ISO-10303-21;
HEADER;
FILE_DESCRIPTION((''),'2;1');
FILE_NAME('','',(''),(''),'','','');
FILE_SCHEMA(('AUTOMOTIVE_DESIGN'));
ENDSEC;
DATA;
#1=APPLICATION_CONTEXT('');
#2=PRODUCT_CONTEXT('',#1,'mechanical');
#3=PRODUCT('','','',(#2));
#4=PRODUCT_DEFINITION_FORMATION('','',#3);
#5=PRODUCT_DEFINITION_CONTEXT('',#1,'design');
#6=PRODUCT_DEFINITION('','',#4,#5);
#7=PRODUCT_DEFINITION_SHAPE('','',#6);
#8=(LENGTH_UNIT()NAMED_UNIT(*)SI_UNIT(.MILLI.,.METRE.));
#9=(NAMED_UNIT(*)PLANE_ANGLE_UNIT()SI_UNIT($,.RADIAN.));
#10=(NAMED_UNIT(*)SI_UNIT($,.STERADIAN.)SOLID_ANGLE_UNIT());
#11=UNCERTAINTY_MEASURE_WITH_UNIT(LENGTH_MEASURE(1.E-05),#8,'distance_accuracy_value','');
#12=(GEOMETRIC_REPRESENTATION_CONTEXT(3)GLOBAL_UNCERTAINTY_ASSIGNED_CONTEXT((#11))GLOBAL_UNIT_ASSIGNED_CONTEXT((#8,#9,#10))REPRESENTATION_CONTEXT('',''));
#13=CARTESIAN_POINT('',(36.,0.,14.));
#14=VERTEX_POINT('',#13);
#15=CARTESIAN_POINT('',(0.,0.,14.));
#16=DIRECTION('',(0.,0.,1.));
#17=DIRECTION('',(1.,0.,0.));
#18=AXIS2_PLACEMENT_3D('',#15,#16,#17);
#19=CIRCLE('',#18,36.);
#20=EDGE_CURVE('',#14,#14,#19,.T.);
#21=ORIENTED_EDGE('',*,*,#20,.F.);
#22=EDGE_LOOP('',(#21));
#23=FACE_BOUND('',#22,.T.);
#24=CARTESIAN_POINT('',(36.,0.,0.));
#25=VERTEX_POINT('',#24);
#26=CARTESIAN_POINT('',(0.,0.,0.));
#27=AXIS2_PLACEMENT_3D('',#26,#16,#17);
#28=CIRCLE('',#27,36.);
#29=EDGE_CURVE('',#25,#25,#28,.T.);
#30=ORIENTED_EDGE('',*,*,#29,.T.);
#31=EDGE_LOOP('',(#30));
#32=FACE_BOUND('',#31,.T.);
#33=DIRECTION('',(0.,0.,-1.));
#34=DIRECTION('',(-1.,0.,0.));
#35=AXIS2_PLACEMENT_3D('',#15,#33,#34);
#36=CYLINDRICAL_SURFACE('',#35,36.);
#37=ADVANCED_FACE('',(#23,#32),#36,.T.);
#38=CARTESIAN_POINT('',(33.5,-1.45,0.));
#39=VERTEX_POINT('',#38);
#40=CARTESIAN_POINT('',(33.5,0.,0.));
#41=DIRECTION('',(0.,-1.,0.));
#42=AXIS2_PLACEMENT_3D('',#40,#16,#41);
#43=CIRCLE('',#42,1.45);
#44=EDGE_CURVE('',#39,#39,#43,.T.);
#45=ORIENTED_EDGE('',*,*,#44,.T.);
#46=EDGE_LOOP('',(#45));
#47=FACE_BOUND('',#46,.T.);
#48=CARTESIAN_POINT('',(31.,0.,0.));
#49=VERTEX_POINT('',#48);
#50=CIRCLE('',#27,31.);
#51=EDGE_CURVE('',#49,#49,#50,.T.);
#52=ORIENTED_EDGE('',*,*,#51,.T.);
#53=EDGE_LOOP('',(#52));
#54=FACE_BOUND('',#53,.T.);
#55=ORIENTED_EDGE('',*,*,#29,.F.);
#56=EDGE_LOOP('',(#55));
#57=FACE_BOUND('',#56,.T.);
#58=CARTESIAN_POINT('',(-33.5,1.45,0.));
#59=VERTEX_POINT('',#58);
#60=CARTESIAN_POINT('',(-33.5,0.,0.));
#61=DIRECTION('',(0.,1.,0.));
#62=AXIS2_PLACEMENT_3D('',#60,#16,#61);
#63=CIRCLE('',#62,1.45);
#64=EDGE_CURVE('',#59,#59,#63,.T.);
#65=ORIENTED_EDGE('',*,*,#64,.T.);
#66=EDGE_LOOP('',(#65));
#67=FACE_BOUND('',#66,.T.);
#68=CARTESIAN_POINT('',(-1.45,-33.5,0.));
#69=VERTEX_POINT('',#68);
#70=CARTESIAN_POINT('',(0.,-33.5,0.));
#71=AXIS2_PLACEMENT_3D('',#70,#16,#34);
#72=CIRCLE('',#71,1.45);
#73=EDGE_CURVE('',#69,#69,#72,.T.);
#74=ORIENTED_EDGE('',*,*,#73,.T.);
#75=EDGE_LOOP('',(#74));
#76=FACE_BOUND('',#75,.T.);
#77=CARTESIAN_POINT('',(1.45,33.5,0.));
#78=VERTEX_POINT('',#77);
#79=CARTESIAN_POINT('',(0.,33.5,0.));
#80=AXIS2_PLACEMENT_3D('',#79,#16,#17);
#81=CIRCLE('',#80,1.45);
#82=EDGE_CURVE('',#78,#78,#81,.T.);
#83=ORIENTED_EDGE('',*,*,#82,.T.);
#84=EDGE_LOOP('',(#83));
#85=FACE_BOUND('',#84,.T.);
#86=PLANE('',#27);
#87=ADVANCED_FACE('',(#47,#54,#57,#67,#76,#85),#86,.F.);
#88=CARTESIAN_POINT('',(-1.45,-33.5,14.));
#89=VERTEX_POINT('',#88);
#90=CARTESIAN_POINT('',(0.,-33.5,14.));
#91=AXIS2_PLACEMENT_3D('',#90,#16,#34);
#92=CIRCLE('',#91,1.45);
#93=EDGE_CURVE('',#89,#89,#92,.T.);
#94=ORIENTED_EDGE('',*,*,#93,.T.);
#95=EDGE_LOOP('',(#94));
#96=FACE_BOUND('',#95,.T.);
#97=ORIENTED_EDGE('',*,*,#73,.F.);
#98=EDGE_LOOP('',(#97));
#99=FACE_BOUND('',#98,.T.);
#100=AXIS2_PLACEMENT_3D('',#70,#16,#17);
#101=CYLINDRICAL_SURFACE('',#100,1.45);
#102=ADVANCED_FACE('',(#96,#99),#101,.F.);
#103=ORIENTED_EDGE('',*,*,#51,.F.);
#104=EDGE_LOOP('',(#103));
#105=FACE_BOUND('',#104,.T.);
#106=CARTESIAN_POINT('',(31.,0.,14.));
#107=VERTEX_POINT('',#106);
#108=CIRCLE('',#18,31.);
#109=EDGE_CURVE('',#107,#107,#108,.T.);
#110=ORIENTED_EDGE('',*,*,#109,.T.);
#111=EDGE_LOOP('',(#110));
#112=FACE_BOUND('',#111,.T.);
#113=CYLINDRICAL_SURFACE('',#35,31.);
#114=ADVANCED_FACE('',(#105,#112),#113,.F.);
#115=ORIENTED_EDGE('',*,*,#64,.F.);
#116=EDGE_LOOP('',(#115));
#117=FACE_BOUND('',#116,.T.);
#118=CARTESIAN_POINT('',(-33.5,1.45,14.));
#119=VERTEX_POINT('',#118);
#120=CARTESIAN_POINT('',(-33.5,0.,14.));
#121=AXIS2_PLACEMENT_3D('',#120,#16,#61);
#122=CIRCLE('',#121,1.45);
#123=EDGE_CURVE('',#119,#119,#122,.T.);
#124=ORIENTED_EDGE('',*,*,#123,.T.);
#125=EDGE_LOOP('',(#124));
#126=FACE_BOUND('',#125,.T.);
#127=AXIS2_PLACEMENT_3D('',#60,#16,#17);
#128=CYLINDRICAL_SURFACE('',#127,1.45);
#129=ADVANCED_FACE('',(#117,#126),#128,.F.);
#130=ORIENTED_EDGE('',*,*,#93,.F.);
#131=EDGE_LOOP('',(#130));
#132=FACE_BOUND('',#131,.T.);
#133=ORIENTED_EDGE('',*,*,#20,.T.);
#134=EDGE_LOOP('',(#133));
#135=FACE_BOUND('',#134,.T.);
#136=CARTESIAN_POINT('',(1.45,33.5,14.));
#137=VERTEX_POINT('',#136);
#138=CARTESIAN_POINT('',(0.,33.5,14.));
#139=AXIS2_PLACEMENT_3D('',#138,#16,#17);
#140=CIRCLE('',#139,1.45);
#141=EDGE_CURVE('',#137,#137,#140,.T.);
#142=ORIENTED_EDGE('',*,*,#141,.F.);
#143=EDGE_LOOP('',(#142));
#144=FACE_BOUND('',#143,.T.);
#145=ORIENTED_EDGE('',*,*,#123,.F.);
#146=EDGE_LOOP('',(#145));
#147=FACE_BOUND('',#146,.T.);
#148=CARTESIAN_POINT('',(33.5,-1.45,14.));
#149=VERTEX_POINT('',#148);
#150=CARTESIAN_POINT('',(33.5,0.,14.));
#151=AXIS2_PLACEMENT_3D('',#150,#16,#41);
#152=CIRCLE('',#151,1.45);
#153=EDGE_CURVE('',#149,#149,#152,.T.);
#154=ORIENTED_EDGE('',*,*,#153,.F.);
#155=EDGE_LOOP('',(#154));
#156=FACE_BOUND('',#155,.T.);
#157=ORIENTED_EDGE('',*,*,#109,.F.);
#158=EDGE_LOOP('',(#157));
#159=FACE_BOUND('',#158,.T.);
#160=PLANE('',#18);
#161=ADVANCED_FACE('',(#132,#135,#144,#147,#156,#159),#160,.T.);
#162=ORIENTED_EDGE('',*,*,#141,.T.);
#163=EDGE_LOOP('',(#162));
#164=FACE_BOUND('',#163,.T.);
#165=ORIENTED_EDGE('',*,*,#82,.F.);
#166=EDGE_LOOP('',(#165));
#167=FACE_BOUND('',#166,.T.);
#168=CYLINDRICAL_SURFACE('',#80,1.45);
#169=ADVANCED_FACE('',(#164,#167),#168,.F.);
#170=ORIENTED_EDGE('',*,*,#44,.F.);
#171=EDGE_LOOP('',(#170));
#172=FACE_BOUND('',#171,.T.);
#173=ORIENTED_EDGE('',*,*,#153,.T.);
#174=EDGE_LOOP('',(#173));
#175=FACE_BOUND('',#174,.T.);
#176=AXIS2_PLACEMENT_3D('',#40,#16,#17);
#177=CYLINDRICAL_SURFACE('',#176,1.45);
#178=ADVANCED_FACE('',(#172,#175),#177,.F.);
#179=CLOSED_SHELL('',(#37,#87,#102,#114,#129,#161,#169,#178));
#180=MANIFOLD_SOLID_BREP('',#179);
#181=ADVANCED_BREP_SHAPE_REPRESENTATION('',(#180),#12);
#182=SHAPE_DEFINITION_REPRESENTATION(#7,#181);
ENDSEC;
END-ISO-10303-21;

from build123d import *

# Parameters (mm, degrees)
SKETCH1_R           = 36
SKETCH1_R_2         = 31
BOSS_EXTRUDE1_DEPTH = 14
SKETCH2_R           = 1.45
CUT_EXTRUDE1_DEPTH  = 53.80151513
CIRPATTERN1_COUNT   = 4


with BuildPart() as part:
    # Sketch1 → Boss-Extrude1 (new body)
    with BuildSketch(Plane.XY):
        Circle(SKETCH1_R)
        Circle(SKETCH1_R_2, mode=Mode.SUBTRACT)
    extrude(amount=BOSS_EXTRUDE1_DEPTH)

    # Sketch2 → Cut-Extrude1 (cut, through all)
    with BuildSketch(Plane.XY.offset(14)):
        with Locations((0, 33.5)):
            Circle(SKETCH2_R)
    cut_extrude1 = extrude(amount=-CUT_EXTRUDE1_DEPTH, mode=Mode.SUBTRACT)

    # CirPattern1: Cut-Extrude1 ×4 about axis
    cirpattern1_axis = Axis((0, 0, 0), (0, 0, 1))
    for i in range(1, CIRPATTERN1_COUNT):
        add(cut_extrude1.rotate(cirpattern1_axis, i * 360 / CIRPATTERN1_COUNT), mode=Mode.SUBTRACT)


solid = part.part
